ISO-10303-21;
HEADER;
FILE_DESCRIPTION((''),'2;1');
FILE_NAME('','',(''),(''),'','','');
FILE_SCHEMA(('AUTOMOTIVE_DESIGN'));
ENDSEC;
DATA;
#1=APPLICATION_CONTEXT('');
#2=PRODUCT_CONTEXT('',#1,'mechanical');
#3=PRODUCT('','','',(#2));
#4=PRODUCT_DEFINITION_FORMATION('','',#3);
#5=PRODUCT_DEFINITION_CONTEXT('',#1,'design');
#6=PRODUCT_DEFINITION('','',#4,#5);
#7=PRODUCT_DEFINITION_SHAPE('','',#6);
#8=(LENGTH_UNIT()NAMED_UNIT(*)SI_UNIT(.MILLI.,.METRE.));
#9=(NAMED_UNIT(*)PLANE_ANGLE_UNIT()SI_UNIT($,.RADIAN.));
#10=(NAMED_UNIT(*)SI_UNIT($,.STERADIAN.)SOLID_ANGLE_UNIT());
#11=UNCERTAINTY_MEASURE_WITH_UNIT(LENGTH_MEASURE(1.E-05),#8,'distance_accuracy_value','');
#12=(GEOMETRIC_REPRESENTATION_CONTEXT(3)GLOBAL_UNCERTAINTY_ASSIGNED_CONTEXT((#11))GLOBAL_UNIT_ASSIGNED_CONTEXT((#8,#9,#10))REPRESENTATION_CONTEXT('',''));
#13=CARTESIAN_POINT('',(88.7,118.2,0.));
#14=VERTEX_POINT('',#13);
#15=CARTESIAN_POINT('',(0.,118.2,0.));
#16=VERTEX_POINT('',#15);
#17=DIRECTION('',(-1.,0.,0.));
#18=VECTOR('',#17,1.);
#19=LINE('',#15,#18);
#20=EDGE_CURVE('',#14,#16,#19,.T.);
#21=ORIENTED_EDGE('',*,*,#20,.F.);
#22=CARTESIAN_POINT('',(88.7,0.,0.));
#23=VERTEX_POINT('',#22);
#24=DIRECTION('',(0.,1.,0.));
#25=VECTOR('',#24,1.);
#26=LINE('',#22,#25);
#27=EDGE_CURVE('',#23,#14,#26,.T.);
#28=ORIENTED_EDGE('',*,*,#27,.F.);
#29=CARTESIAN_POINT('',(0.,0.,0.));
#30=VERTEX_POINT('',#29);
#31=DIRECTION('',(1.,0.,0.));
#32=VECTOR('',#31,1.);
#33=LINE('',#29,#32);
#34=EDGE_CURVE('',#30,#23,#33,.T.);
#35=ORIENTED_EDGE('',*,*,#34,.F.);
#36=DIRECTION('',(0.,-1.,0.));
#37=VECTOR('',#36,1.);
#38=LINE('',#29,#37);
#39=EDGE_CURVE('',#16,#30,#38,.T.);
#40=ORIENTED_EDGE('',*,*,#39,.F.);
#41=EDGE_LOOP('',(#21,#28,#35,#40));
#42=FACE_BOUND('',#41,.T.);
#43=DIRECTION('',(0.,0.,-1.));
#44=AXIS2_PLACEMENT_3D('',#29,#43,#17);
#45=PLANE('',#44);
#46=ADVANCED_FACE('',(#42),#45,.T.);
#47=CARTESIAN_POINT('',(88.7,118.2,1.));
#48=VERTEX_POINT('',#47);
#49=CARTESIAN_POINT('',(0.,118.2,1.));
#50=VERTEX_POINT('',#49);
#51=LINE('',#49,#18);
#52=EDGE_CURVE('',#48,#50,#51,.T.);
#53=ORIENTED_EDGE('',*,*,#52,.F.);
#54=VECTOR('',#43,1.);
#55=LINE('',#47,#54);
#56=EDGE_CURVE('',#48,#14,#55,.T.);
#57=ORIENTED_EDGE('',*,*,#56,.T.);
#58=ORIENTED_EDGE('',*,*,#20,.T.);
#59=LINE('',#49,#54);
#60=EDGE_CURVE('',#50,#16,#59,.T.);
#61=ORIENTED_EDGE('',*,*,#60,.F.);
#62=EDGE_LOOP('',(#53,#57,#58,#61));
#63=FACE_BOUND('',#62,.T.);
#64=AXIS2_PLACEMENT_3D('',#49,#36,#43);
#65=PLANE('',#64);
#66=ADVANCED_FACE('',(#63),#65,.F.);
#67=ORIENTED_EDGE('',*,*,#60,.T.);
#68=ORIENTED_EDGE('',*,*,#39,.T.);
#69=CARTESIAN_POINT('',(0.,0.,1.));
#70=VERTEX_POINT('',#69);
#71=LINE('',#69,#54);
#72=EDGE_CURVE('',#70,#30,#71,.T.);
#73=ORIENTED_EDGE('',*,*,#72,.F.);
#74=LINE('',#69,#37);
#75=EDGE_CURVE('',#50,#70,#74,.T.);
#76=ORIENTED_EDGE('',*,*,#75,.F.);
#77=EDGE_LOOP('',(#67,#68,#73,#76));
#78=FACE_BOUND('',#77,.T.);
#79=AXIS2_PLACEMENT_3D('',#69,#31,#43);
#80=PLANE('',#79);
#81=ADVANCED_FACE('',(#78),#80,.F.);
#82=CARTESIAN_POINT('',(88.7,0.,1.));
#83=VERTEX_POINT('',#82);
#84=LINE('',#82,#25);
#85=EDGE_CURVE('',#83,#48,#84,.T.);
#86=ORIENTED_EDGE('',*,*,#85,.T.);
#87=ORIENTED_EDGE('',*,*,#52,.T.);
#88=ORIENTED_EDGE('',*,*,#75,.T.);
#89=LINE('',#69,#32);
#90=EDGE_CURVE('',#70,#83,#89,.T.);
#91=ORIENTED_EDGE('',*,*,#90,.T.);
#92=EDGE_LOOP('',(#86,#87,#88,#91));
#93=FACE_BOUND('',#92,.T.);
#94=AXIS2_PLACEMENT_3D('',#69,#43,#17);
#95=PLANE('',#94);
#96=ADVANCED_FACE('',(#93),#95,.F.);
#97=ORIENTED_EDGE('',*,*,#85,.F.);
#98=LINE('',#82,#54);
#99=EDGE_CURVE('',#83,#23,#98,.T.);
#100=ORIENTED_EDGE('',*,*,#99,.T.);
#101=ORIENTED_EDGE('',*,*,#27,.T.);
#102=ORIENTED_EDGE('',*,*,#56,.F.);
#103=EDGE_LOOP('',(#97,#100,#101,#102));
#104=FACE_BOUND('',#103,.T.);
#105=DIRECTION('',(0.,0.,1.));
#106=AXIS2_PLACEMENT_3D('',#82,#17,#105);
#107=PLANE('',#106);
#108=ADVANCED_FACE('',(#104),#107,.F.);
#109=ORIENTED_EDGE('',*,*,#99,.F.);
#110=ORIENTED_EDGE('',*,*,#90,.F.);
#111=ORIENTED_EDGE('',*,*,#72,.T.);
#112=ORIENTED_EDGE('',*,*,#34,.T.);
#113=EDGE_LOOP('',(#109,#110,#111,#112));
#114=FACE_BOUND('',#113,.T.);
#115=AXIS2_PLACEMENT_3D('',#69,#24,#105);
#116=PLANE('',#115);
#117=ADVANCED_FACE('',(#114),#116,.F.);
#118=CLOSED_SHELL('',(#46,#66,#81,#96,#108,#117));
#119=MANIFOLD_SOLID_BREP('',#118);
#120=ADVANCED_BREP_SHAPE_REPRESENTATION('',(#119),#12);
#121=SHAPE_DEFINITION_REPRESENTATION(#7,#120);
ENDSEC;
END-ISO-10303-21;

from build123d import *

# Parameters (mm, degrees)
ESQUISSE1_W        = 88.7
ESQUISSE1_H        = 118.2
BOSS_EXTRU_1_DEPTH = 1


with BuildPart() as part:
    # Esquisse1 → Boss.-Extru.1 (new body)
    with BuildSketch(Plane.XY):
        with Locations((44.35, 59.1)):
            Rectangle(ESQUISSE1_W, ESQUISSE1_H)
    extrude(amount=BOSS_EXTRU_1_DEPTH)


solid = part.part
